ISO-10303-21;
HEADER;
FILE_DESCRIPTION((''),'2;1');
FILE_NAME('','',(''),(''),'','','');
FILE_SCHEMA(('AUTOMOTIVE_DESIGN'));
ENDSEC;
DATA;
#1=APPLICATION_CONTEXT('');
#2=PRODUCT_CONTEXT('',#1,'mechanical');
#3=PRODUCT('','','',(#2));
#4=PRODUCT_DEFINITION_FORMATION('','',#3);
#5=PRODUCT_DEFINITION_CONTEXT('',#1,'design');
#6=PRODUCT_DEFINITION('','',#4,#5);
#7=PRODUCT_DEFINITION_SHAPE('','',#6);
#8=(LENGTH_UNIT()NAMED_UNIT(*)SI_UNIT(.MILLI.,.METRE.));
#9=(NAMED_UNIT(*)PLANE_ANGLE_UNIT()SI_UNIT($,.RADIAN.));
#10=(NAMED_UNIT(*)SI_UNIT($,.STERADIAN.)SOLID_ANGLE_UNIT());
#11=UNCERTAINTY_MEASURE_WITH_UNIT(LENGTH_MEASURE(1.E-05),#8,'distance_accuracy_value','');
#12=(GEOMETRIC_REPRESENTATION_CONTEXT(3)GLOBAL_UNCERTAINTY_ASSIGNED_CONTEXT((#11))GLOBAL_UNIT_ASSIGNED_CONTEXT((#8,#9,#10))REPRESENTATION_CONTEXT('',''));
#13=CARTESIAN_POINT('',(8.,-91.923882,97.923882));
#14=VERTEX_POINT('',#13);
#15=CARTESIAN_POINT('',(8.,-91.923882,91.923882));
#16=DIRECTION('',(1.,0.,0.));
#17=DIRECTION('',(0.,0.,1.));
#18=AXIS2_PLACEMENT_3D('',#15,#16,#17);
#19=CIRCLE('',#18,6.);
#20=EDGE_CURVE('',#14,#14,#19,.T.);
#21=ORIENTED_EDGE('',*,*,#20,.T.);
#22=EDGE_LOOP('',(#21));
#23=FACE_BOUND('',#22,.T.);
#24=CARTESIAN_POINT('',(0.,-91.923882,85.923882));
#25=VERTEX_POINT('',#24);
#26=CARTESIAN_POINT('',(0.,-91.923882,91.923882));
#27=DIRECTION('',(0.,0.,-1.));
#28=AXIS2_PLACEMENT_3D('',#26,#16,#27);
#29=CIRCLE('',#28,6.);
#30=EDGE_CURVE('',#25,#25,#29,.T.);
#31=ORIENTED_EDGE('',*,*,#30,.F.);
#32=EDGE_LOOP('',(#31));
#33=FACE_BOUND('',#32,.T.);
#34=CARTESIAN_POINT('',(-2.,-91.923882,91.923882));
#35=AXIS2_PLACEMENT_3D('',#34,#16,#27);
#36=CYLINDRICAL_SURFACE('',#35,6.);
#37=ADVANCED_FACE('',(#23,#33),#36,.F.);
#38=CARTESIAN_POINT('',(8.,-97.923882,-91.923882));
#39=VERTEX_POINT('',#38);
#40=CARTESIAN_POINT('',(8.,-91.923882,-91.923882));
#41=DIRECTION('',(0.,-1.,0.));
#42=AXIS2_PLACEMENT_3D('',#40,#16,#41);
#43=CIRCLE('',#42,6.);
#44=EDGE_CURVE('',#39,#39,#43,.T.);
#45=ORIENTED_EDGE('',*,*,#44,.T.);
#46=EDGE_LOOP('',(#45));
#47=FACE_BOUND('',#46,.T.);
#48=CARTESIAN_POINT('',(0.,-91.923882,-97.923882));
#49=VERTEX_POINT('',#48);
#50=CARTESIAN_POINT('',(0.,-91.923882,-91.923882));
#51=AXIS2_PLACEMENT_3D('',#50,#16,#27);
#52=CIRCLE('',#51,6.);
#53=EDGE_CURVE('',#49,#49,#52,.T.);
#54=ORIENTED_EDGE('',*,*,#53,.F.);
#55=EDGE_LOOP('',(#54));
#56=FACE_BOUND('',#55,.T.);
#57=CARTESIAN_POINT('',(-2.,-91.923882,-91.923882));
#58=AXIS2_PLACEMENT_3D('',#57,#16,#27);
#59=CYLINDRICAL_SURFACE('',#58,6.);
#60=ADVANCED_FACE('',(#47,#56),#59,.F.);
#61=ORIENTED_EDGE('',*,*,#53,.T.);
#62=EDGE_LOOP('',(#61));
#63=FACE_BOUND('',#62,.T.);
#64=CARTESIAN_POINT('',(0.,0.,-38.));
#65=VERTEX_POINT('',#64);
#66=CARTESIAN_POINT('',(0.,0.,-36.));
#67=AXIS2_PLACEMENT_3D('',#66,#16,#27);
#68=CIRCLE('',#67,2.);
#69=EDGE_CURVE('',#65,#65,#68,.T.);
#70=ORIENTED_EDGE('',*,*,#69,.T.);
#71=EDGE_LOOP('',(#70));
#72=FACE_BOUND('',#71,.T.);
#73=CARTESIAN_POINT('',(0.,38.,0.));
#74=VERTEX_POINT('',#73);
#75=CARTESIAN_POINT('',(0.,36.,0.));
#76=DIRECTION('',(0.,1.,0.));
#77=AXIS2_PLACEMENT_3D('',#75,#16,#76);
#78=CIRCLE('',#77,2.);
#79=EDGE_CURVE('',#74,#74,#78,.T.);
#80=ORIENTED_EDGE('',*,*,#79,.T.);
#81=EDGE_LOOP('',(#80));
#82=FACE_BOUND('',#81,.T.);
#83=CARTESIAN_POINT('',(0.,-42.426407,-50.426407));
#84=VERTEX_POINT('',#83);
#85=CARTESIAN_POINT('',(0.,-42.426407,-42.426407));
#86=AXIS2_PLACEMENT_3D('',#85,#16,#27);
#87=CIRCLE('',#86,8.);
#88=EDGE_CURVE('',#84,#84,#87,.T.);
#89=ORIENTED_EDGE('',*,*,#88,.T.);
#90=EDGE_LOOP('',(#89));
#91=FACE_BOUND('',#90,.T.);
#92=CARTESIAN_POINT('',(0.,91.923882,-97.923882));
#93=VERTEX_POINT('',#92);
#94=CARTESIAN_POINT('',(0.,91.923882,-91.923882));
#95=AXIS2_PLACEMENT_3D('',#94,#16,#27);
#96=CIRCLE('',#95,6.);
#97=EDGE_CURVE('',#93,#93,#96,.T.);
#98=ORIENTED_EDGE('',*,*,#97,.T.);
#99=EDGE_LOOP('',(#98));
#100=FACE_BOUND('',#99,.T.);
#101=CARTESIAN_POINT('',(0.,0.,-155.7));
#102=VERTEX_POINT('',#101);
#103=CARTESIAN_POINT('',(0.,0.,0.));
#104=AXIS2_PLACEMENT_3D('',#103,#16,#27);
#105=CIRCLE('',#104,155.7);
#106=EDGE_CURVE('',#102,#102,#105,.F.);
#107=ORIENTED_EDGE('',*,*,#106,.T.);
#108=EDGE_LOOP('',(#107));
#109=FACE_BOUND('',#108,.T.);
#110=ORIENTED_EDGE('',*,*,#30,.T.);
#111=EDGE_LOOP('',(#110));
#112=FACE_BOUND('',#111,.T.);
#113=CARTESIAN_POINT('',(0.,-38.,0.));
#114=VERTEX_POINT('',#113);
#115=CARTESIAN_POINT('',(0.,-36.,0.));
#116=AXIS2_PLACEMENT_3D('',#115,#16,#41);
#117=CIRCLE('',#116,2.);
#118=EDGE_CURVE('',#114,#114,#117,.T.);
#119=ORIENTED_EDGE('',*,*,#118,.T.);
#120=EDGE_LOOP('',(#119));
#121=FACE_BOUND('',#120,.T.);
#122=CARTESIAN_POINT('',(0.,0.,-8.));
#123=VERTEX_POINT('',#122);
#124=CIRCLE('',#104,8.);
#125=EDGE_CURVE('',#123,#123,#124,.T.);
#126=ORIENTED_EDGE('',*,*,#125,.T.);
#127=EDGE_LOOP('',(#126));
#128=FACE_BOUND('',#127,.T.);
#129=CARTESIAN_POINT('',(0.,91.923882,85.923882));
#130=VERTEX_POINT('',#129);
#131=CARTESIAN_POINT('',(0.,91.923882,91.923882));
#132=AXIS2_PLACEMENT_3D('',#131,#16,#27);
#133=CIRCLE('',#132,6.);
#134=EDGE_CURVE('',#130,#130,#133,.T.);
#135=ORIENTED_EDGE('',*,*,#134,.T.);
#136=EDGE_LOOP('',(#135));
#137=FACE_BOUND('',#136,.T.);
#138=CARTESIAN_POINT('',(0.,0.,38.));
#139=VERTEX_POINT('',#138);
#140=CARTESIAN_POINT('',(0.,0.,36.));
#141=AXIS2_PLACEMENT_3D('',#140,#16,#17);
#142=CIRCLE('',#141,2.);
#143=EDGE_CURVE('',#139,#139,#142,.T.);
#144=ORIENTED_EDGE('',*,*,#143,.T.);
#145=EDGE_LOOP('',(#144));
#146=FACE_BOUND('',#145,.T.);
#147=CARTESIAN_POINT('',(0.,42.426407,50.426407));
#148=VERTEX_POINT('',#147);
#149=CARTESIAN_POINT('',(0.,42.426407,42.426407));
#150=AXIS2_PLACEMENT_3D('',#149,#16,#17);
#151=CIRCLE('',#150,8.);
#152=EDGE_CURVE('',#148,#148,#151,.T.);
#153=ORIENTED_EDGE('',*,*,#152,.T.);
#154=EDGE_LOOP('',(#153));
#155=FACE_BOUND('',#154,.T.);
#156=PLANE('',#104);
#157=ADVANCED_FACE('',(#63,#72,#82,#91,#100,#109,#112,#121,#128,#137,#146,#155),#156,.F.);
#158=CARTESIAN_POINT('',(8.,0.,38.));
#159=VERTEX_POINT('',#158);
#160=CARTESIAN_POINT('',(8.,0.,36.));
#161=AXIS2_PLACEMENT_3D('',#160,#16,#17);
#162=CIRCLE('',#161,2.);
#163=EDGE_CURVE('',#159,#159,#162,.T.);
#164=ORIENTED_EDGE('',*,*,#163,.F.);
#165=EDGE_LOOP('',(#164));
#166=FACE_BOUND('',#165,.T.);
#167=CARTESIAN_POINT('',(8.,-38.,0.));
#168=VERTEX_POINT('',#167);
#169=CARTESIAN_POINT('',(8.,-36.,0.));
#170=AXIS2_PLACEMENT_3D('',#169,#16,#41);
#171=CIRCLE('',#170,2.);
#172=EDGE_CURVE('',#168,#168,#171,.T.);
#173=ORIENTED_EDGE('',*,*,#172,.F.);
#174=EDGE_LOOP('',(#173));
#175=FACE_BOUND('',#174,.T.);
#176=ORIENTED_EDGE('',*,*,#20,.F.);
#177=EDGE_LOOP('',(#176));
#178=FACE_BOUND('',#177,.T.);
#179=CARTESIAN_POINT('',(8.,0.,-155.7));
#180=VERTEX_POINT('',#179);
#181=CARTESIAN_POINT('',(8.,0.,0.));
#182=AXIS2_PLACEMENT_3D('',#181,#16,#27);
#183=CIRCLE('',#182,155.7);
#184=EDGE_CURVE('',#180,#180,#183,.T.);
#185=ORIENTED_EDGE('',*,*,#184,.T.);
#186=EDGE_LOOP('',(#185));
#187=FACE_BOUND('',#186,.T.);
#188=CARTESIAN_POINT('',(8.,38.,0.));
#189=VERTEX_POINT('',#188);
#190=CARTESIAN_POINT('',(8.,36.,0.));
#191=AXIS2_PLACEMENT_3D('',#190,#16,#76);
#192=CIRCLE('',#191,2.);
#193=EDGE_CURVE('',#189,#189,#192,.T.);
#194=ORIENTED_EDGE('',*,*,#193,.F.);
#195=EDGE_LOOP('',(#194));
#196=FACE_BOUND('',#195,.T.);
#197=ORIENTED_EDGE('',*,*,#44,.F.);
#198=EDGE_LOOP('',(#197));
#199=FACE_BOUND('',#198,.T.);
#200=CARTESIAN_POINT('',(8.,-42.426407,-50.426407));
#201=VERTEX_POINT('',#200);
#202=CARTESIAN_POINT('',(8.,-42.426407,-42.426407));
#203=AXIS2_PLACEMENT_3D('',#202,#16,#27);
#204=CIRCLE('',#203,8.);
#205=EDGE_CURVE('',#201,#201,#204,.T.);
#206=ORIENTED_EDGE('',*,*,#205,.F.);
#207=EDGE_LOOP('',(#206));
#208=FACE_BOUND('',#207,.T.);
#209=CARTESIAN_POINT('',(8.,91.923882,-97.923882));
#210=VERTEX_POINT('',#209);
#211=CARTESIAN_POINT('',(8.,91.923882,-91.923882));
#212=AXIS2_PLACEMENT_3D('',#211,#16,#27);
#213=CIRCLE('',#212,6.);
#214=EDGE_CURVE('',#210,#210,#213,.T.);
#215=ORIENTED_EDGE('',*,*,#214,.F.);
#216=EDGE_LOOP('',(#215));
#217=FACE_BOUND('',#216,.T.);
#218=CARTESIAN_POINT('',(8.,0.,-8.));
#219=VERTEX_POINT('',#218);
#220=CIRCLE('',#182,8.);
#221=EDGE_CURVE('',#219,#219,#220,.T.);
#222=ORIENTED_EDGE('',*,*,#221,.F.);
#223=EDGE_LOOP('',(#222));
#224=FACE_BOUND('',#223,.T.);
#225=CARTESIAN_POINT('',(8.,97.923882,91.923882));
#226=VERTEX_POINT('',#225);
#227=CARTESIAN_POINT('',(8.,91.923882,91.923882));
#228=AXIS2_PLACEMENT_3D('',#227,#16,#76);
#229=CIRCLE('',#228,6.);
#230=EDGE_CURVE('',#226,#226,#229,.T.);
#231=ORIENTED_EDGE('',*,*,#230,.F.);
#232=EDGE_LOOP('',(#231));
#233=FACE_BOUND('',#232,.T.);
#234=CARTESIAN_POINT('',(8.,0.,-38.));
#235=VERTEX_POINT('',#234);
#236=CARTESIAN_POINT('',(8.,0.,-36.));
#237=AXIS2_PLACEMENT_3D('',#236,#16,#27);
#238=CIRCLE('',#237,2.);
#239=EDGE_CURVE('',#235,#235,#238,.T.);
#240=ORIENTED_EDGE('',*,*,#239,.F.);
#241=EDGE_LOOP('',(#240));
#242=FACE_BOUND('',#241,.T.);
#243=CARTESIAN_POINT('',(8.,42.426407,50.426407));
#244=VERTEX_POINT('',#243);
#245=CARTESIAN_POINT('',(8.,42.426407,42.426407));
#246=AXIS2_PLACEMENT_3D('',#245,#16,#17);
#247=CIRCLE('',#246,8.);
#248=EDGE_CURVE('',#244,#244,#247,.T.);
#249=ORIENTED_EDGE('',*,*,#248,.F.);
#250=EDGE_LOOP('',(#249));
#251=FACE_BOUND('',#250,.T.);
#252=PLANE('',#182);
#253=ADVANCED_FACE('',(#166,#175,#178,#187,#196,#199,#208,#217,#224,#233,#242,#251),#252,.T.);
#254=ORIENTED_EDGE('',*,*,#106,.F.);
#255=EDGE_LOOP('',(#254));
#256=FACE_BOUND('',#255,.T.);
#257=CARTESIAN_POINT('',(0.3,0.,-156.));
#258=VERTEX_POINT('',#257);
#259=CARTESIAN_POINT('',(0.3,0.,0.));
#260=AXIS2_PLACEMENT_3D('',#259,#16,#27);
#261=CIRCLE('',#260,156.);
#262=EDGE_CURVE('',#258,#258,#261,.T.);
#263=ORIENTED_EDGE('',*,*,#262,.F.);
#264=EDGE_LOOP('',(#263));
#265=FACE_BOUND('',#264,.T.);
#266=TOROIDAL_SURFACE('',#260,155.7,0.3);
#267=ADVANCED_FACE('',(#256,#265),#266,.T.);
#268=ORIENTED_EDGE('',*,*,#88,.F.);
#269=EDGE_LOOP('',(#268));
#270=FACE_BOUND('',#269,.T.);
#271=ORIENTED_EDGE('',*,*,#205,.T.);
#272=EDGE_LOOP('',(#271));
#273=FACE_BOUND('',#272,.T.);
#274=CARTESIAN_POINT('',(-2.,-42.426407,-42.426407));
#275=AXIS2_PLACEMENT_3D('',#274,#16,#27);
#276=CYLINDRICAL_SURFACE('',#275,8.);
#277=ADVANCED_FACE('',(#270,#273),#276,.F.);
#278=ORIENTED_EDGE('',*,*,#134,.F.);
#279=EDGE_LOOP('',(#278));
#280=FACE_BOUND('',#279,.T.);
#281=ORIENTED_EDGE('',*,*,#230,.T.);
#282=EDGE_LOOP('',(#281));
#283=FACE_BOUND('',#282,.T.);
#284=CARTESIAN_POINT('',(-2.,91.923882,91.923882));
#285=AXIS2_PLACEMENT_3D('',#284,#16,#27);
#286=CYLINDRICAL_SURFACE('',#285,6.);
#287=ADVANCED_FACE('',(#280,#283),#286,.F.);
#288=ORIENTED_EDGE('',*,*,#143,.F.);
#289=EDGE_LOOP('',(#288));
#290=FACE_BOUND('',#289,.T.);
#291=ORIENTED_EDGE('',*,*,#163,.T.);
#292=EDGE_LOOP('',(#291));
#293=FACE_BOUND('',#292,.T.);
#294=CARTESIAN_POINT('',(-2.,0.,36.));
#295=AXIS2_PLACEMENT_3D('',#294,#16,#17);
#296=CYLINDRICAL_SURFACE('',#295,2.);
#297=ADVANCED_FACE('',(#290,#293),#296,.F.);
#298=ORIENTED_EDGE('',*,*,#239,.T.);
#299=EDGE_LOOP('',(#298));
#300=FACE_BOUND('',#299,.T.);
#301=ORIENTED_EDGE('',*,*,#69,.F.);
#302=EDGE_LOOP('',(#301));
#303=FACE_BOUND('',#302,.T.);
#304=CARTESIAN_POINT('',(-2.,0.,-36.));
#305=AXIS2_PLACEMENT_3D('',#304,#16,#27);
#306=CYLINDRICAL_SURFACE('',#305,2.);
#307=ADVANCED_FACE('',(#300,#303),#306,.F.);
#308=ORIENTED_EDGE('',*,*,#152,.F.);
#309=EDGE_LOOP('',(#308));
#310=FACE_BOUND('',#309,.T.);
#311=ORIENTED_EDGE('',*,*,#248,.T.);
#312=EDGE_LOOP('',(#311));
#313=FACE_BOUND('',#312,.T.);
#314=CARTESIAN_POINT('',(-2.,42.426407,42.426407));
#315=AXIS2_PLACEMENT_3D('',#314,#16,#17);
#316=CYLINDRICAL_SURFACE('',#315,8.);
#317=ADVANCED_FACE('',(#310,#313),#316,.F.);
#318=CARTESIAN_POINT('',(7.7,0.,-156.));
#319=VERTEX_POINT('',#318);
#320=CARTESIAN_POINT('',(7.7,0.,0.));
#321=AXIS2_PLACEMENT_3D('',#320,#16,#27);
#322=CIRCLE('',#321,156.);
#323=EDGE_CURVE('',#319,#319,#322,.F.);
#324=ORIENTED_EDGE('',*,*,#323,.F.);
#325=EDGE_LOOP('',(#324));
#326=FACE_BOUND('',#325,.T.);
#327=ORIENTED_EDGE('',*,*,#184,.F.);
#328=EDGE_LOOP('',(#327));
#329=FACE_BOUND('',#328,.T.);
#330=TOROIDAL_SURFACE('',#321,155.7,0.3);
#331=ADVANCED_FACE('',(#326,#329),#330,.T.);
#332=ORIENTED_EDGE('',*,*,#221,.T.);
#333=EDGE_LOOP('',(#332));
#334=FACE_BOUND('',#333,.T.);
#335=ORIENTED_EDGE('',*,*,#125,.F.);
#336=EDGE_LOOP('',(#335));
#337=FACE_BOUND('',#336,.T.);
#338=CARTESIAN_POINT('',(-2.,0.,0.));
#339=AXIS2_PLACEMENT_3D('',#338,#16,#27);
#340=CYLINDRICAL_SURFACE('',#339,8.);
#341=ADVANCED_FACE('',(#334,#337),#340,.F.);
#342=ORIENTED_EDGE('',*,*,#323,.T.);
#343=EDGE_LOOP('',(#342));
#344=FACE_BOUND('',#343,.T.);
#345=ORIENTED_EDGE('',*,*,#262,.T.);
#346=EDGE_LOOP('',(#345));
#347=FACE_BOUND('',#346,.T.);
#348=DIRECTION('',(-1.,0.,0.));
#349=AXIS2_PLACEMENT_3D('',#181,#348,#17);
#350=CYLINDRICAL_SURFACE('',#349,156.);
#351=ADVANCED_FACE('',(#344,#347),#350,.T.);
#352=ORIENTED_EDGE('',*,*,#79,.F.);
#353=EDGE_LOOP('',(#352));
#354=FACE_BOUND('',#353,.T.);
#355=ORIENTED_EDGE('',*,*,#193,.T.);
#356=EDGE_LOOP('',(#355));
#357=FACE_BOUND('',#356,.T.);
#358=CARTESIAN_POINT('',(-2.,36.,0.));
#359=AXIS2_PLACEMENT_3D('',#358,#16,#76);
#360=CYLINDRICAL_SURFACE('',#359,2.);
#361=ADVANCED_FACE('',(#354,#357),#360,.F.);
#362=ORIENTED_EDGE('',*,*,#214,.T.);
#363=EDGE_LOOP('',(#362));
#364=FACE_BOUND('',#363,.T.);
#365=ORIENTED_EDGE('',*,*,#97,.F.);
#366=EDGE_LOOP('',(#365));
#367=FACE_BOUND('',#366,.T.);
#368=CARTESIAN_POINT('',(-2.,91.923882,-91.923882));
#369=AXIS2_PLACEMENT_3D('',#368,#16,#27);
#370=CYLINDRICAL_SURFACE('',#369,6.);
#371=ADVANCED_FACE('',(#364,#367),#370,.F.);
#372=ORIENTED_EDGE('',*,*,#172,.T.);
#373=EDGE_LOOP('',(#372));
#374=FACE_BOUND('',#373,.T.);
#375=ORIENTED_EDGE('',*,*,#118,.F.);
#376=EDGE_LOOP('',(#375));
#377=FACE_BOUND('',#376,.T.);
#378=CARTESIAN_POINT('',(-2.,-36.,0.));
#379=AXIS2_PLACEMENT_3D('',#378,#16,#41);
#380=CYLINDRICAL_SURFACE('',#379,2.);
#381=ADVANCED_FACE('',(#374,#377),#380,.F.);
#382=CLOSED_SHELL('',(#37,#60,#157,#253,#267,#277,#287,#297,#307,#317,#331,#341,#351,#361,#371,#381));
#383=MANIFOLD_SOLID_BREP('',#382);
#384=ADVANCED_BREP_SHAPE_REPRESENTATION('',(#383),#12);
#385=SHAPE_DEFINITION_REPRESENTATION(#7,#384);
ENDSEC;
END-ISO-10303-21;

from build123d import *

# Parameters (mm, degrees)
SKETCH_1_R               = 156
EXTRUDE_1_DEPTH          = 8
SKETCH_4_R               = 6
CUT_EXTRUDE_3_DEPTH      = 10
PATTERN_CIRCULAR_2_COUNT = 4
FILLET_1_R               = 0.3
SKETCH_8_R               = 8
CUT_EXTRUDE_7_DEPTH      = 10
PATTERN_CIRCULAR_3_COUNT = 2
SKETCH_9_R               = 8
CUT_EXTRUDE_8_DEPTH      = 10
SKETCH_10_R              = 2
CUT_EXTRUDE_9_DEPTH      = 10
PATTERN_CIRCULAR_5_COUNT = 4


with BuildPart() as part:
    # 草图1 → 凸台-拉伸1 (new body)
    with BuildSketch(Plane(origin=(0, 0, 0), x_dir=(0, 0, -1), z_dir=(1, 0, 0))):
        Circle(SKETCH_1_R)
    extrude(amount=EXTRUDE_1_DEPTH)

    # 草图4 → 切除-拉伸3 (cut)
    with BuildSketch(Plane(origin=(8, 0, 0), x_dir=(0, 0, -1), z_dir=(1, 0, 0))):
        with Locations((91.923881554, 91.923881554)):
            Circle(SKETCH_4_R)
    cut_extrude_3 = extrude(amount=-CUT_EXTRUDE_3_DEPTH, mode=Mode.SUBTRACT)

    # 阵列(圆周)2: 切除-拉伸3 ×4 about axis
    pattern_circular_2_axis = Axis((0, 0, 0), (1, 0, 0))
    for i in range(1, PATTERN_CIRCULAR_2_COUNT):
        add(cut_extrude_3.rotate(pattern_circular_2_axis, i * 360 / PATTERN_CIRCULAR_2_COUNT), mode=Mode.SUBTRACT)

    # 圆角1
    fillet_1_edges = [part.edges().sort_by_distance(p)[0] for p in [
        (0, 0, 156),
        (8, 0, 156),
    ]]
    fillet(fillet_1_edges, radius=FILLET_1_R)

    # 草图8 → 切除-拉伸7 (cut)
    with BuildSketch(Plane(origin=(8, 0, 0), x_dir=(0, 0, -1), z_dir=(1, 0, 0))):
        with Locations((42.426406871, -42.426406871)):
            Circle(SKETCH_8_R)
    cut_extrude_7 = extrude(amount=-CUT_EXTRUDE_7_DEPTH, mode=Mode.SUBTRACT)

    # 阵列(圆周)3: 切除-拉伸7 ×2 about axis
    pattern_circular_3_axis = Axis((0, 0, 0), (1, 0, 0))
    for i in range(1, PATTERN_CIRCULAR_3_COUNT):
        add(cut_extrude_7.rotate(pattern_circular_3_axis, i * 360 / PATTERN_CIRCULAR_3_COUNT), mode=Mode.SUBTRACT)

    # 草图9 → 切除-拉伸8 (cut)
    with BuildSketch(Plane(origin=(8, 0, 0), x_dir=(0, 0, -1), z_dir=(1, 0, 0))):
        Circle(SKETCH_9_R)
    extrude(amount=-CUT_EXTRUDE_8_DEPTH, mode=Mode.SUBTRACT)

    # 草图10 → 切除-拉伸9 (cut)
    with BuildSketch(Plane(origin=(8, 0, 0), x_dir=(0, 0, -1), z_dir=(1, 0, 0))):
        with Locations((36, 0)):
            Circle(SKETCH_10_R)
    cut_extrude_9 = extrude(amount=-CUT_EXTRUDE_9_DEPTH, mode=Mode.SUBTRACT)

    # 阵列(圆周)5: 切除-拉伸9 ×4 about axis
    pattern_circular_5_axis = Axis((0, 0, 0), (1, 0, 0))
    for i in range(1, PATTERN_CIRCULAR_5_COUNT):
        add(cut_extrude_9.rotate(pattern_circular_5_axis, i * 360 / PATTERN_CIRCULAR_5_COUNT), mode=Mode.SUBTRACT)


solid = part.part
